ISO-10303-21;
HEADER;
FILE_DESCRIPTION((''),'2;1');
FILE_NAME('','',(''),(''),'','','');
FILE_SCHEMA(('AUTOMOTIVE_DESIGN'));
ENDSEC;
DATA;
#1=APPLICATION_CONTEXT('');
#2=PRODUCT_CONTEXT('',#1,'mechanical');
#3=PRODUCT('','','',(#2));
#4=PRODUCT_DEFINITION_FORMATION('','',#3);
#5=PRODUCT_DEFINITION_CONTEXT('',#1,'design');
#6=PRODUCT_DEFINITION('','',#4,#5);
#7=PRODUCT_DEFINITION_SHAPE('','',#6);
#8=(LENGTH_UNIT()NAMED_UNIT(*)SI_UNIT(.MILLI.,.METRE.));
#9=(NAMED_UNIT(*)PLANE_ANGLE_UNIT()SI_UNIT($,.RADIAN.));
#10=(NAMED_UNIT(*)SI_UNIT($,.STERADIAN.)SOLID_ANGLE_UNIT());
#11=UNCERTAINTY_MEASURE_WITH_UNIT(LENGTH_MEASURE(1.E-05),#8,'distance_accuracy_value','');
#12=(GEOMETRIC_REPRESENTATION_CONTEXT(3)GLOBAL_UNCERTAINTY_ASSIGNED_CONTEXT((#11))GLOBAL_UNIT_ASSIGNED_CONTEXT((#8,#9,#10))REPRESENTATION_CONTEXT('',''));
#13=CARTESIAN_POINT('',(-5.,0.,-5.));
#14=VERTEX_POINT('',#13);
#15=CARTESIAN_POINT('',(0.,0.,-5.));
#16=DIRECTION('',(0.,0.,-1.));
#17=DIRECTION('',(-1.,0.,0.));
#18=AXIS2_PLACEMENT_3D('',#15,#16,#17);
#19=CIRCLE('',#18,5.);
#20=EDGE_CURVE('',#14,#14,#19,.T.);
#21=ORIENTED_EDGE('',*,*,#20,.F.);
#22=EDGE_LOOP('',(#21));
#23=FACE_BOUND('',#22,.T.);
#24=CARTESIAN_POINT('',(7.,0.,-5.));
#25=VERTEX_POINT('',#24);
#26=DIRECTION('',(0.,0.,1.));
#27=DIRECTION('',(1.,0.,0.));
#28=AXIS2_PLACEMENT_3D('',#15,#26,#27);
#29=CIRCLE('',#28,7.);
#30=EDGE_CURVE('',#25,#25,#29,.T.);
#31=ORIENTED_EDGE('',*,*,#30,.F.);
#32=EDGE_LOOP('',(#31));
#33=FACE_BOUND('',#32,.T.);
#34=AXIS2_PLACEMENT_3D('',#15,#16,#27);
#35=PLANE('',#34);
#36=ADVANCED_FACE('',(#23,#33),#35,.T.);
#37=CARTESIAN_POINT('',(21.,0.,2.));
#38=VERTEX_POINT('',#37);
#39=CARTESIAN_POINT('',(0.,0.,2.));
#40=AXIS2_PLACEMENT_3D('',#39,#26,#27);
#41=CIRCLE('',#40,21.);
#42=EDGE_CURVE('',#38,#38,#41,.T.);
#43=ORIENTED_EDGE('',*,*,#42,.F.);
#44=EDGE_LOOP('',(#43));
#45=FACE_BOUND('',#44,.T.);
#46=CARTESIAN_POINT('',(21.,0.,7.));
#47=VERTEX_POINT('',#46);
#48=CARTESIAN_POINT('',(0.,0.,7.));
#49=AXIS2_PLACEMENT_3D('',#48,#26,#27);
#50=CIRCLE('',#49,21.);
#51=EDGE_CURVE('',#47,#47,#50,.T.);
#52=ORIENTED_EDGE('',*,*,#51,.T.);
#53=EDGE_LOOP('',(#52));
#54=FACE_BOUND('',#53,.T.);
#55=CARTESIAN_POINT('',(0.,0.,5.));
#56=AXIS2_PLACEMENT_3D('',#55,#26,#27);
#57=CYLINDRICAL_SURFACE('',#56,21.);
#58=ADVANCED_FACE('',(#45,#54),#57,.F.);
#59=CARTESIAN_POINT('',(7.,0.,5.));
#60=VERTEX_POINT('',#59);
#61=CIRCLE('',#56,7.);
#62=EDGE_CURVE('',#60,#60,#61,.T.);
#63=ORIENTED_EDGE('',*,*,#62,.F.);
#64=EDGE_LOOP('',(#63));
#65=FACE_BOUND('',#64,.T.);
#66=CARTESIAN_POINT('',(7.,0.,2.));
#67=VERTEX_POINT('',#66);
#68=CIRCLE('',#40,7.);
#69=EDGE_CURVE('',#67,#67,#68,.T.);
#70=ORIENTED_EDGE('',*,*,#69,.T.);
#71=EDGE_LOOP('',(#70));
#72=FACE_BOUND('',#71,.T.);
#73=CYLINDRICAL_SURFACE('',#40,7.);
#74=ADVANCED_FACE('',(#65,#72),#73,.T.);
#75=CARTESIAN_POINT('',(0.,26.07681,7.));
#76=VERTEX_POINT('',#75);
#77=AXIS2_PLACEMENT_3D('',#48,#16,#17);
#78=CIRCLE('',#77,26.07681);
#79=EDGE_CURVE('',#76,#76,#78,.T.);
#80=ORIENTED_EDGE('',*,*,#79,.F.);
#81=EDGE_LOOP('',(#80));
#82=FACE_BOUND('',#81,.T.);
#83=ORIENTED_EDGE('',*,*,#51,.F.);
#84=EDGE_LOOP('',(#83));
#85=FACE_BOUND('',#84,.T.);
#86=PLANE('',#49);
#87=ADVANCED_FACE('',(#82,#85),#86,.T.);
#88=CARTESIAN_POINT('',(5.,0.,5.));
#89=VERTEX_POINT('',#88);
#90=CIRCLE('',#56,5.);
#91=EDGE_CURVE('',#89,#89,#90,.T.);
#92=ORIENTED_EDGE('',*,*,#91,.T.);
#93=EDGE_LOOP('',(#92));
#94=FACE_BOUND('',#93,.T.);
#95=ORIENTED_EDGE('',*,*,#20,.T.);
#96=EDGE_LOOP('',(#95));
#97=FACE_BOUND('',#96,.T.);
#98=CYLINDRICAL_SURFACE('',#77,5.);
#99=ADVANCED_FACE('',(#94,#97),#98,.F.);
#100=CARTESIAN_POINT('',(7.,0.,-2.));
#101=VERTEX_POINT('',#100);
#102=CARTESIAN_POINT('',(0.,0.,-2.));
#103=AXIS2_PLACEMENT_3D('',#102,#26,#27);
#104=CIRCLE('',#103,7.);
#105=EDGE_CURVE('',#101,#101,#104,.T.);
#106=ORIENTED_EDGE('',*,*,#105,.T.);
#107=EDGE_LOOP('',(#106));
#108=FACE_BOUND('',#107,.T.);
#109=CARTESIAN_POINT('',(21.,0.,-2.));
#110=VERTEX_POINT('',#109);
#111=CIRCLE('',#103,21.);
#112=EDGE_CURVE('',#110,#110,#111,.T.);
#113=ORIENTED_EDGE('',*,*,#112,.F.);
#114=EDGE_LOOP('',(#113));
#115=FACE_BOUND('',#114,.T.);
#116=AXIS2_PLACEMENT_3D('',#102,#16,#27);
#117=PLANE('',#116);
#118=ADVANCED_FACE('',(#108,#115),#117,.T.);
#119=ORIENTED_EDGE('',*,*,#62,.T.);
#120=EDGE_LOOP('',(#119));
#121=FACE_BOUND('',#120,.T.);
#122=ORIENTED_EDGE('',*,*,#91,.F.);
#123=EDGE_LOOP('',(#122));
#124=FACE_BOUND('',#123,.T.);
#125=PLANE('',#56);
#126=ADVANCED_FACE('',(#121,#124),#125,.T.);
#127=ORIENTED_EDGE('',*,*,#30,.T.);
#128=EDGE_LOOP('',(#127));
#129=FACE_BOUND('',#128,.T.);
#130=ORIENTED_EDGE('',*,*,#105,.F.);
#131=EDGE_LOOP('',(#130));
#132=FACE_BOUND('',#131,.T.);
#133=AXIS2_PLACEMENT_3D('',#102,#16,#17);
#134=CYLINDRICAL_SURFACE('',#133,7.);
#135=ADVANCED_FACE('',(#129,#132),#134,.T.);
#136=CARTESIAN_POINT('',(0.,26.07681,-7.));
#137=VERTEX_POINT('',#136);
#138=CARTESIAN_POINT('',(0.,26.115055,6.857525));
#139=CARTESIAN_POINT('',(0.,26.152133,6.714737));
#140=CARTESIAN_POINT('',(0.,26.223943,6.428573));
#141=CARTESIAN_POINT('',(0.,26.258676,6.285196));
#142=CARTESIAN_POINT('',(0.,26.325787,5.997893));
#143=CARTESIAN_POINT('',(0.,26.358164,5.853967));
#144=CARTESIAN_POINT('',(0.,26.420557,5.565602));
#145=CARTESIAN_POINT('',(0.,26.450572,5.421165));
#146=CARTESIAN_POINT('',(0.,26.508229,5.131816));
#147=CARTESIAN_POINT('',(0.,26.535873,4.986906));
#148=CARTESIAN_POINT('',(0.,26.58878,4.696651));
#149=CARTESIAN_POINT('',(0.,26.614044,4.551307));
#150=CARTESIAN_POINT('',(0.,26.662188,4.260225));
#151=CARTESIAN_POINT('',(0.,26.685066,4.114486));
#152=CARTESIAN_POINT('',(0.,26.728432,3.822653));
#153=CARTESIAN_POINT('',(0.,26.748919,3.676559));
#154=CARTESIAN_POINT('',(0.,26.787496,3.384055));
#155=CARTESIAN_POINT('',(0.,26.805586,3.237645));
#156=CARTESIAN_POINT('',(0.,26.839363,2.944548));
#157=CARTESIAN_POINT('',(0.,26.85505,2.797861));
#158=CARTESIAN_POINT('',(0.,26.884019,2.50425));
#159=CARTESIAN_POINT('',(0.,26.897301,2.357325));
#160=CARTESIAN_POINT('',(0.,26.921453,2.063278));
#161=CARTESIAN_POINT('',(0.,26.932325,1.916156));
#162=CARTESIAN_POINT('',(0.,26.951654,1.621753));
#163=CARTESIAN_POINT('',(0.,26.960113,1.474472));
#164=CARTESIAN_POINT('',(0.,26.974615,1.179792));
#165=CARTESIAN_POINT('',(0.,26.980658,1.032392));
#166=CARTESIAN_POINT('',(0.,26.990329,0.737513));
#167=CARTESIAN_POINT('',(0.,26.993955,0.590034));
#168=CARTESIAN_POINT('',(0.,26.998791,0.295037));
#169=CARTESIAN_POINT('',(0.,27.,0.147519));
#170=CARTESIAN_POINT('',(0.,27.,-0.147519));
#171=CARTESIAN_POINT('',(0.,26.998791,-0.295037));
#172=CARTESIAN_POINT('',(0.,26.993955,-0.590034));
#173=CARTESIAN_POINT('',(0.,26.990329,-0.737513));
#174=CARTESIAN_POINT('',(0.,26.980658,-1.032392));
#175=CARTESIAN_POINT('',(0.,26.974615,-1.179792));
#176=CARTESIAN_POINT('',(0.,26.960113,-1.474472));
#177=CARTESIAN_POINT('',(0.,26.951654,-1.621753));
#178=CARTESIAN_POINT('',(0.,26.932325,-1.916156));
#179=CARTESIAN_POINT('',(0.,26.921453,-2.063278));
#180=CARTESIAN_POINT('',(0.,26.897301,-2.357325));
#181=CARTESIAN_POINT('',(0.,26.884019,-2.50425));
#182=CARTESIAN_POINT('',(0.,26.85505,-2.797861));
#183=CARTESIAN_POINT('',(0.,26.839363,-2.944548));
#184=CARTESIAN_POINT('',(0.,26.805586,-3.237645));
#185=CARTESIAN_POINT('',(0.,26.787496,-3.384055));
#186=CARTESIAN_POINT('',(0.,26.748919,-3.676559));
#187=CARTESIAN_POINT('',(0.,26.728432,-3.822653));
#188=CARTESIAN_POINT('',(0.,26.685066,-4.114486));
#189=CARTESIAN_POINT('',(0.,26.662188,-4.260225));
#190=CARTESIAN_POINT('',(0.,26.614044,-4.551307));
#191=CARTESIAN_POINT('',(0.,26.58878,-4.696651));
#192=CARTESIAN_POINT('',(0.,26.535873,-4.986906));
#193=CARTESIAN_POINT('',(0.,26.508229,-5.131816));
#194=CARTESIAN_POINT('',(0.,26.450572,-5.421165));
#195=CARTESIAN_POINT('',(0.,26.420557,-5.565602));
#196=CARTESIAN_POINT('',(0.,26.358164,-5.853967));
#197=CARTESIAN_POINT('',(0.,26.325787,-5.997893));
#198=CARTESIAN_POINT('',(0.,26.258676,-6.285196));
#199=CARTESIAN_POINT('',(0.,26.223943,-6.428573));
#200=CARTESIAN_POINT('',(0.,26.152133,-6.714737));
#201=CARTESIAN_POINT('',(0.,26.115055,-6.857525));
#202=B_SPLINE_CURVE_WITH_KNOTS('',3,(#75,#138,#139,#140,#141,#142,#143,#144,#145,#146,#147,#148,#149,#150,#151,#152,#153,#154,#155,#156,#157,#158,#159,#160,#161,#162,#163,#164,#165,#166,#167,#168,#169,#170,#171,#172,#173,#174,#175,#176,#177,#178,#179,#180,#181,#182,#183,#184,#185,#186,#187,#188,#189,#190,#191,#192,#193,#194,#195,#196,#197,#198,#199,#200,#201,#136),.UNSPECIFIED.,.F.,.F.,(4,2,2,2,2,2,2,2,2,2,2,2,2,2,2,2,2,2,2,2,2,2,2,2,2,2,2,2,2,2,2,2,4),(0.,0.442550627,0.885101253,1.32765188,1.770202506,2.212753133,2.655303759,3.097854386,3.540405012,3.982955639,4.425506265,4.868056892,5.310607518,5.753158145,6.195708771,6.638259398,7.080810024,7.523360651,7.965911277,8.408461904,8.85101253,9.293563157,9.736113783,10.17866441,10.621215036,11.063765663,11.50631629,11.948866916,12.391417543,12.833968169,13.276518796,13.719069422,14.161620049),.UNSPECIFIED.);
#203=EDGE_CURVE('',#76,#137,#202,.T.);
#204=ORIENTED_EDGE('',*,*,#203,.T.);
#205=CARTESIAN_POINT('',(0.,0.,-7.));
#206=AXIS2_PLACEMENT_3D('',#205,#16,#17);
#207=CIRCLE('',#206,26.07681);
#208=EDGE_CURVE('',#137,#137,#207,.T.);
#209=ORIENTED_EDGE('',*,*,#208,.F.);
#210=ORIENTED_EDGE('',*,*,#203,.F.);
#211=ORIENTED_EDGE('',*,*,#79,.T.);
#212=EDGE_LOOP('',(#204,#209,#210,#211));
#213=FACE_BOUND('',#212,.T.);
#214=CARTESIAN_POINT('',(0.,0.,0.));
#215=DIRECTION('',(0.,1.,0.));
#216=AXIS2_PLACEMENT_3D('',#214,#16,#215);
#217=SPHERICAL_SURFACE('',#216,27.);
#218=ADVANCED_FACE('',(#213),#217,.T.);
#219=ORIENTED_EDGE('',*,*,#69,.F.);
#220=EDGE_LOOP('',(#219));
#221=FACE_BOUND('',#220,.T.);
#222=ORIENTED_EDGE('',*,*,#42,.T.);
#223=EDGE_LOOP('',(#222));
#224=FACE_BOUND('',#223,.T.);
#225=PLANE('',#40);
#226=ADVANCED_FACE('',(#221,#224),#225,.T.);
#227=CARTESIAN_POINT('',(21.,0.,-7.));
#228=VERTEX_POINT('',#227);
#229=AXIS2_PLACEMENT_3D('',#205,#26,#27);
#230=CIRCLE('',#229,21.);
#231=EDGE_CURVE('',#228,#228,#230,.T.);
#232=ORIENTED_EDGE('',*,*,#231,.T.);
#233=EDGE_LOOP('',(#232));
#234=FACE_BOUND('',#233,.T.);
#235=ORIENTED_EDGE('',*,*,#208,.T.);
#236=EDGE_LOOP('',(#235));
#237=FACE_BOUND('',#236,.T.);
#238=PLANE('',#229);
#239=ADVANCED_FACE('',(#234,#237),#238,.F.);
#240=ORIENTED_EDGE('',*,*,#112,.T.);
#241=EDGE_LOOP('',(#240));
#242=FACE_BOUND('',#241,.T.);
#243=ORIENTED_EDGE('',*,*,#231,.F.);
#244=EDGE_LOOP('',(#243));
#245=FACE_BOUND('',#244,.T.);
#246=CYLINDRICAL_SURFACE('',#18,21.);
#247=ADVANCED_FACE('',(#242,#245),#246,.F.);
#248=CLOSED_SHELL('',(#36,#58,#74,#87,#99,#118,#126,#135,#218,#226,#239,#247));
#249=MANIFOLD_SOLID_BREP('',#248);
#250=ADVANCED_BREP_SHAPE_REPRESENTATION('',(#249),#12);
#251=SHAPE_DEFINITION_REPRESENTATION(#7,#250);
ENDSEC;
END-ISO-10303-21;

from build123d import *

# Parameters (mm, degrees)
SKETCH_1_R          = 27
SKETCH_1_R_2        = 5
EXTRUDE_1_DEPTH     = 7
SKETCH_4_R          = 21
CUT_EXTRUDE_1_DEPTH = 2
SKETCH_5_R          = 21
SKETCH_5_R_2        = 7
CUT_EXTRUDE_2_DEPTH = 3


with BuildPart() as part:
    # 草图1 → 凸台-拉伸1 (new, symmetric)
    with BuildSketch(Plane.XY):
        Circle(SKETCH_1_R)
        Circle(SKETCH_1_R_2, mode=Mode.SUBTRACT)
    extrude(amount=EXTRUDE_1_DEPTH, both=True)

    # 草图2 → 切除-旋转1 (revolve, cut)
    with BuildSketch(Plane(origin=(0, 0, 0), x_dir=(0, 0, -1), z_dir=(1, 0, 0))):
        with BuildLine():
            Line((-6.5814e-13, 27), (-7, 27))
            Line((-7, 27), (-7, 26.076809620810586))
            ThreePointArc((-7.0000000000000195, 26.07680962081059), (-3.530307368921202, 26.768207446165324), (-6.5782e-13, 27))
        make_face()
        with BuildLine():
            Line((7, 27), (-6.5814e-13, 27))
            ThreePointArc((-6.5782e-13, 27), (3.5303073689204805, 26.76820744616542), (6.999999999999878, 26.076809620810625))
            Line((7, 26.076809620810657), (7, 27))
        make_face()
    revolve(axis=Axis((0, 0, -7), (0, 0, 1)), mode=Mode.SUBTRACT)

    # 草图4 → 切除-拉伸1 (cut)
    with BuildSketch(Plane.XY.offset(7)):
        Circle(SKETCH_4_R)
    cut_extrude_1 = extrude(amount=-CUT_EXTRUDE_1_DEPTH, mode=Mode.SUBTRACT)

    # 草图5 → 切除-拉伸2 (cut)
    with BuildSketch(Plane.XY.offset(5)):
        Circle(SKETCH_5_R)
        Circle(SKETCH_5_R_2, mode=Mode.SUBTRACT)
    cut_extrude_2 = extrude(amount=-CUT_EXTRUDE_2_DEPTH, mode=Mode.SUBTRACT)

    # 镜向1: 切除-拉伸1, 切除-拉伸2 across plane
    add(cut_extrude_1.mirror(Plane.XY), mode=Mode.SUBTRACT)
    add(cut_extrude_2.mirror(Plane.XY), mode=Mode.SUBTRACT)


solid = part.part
